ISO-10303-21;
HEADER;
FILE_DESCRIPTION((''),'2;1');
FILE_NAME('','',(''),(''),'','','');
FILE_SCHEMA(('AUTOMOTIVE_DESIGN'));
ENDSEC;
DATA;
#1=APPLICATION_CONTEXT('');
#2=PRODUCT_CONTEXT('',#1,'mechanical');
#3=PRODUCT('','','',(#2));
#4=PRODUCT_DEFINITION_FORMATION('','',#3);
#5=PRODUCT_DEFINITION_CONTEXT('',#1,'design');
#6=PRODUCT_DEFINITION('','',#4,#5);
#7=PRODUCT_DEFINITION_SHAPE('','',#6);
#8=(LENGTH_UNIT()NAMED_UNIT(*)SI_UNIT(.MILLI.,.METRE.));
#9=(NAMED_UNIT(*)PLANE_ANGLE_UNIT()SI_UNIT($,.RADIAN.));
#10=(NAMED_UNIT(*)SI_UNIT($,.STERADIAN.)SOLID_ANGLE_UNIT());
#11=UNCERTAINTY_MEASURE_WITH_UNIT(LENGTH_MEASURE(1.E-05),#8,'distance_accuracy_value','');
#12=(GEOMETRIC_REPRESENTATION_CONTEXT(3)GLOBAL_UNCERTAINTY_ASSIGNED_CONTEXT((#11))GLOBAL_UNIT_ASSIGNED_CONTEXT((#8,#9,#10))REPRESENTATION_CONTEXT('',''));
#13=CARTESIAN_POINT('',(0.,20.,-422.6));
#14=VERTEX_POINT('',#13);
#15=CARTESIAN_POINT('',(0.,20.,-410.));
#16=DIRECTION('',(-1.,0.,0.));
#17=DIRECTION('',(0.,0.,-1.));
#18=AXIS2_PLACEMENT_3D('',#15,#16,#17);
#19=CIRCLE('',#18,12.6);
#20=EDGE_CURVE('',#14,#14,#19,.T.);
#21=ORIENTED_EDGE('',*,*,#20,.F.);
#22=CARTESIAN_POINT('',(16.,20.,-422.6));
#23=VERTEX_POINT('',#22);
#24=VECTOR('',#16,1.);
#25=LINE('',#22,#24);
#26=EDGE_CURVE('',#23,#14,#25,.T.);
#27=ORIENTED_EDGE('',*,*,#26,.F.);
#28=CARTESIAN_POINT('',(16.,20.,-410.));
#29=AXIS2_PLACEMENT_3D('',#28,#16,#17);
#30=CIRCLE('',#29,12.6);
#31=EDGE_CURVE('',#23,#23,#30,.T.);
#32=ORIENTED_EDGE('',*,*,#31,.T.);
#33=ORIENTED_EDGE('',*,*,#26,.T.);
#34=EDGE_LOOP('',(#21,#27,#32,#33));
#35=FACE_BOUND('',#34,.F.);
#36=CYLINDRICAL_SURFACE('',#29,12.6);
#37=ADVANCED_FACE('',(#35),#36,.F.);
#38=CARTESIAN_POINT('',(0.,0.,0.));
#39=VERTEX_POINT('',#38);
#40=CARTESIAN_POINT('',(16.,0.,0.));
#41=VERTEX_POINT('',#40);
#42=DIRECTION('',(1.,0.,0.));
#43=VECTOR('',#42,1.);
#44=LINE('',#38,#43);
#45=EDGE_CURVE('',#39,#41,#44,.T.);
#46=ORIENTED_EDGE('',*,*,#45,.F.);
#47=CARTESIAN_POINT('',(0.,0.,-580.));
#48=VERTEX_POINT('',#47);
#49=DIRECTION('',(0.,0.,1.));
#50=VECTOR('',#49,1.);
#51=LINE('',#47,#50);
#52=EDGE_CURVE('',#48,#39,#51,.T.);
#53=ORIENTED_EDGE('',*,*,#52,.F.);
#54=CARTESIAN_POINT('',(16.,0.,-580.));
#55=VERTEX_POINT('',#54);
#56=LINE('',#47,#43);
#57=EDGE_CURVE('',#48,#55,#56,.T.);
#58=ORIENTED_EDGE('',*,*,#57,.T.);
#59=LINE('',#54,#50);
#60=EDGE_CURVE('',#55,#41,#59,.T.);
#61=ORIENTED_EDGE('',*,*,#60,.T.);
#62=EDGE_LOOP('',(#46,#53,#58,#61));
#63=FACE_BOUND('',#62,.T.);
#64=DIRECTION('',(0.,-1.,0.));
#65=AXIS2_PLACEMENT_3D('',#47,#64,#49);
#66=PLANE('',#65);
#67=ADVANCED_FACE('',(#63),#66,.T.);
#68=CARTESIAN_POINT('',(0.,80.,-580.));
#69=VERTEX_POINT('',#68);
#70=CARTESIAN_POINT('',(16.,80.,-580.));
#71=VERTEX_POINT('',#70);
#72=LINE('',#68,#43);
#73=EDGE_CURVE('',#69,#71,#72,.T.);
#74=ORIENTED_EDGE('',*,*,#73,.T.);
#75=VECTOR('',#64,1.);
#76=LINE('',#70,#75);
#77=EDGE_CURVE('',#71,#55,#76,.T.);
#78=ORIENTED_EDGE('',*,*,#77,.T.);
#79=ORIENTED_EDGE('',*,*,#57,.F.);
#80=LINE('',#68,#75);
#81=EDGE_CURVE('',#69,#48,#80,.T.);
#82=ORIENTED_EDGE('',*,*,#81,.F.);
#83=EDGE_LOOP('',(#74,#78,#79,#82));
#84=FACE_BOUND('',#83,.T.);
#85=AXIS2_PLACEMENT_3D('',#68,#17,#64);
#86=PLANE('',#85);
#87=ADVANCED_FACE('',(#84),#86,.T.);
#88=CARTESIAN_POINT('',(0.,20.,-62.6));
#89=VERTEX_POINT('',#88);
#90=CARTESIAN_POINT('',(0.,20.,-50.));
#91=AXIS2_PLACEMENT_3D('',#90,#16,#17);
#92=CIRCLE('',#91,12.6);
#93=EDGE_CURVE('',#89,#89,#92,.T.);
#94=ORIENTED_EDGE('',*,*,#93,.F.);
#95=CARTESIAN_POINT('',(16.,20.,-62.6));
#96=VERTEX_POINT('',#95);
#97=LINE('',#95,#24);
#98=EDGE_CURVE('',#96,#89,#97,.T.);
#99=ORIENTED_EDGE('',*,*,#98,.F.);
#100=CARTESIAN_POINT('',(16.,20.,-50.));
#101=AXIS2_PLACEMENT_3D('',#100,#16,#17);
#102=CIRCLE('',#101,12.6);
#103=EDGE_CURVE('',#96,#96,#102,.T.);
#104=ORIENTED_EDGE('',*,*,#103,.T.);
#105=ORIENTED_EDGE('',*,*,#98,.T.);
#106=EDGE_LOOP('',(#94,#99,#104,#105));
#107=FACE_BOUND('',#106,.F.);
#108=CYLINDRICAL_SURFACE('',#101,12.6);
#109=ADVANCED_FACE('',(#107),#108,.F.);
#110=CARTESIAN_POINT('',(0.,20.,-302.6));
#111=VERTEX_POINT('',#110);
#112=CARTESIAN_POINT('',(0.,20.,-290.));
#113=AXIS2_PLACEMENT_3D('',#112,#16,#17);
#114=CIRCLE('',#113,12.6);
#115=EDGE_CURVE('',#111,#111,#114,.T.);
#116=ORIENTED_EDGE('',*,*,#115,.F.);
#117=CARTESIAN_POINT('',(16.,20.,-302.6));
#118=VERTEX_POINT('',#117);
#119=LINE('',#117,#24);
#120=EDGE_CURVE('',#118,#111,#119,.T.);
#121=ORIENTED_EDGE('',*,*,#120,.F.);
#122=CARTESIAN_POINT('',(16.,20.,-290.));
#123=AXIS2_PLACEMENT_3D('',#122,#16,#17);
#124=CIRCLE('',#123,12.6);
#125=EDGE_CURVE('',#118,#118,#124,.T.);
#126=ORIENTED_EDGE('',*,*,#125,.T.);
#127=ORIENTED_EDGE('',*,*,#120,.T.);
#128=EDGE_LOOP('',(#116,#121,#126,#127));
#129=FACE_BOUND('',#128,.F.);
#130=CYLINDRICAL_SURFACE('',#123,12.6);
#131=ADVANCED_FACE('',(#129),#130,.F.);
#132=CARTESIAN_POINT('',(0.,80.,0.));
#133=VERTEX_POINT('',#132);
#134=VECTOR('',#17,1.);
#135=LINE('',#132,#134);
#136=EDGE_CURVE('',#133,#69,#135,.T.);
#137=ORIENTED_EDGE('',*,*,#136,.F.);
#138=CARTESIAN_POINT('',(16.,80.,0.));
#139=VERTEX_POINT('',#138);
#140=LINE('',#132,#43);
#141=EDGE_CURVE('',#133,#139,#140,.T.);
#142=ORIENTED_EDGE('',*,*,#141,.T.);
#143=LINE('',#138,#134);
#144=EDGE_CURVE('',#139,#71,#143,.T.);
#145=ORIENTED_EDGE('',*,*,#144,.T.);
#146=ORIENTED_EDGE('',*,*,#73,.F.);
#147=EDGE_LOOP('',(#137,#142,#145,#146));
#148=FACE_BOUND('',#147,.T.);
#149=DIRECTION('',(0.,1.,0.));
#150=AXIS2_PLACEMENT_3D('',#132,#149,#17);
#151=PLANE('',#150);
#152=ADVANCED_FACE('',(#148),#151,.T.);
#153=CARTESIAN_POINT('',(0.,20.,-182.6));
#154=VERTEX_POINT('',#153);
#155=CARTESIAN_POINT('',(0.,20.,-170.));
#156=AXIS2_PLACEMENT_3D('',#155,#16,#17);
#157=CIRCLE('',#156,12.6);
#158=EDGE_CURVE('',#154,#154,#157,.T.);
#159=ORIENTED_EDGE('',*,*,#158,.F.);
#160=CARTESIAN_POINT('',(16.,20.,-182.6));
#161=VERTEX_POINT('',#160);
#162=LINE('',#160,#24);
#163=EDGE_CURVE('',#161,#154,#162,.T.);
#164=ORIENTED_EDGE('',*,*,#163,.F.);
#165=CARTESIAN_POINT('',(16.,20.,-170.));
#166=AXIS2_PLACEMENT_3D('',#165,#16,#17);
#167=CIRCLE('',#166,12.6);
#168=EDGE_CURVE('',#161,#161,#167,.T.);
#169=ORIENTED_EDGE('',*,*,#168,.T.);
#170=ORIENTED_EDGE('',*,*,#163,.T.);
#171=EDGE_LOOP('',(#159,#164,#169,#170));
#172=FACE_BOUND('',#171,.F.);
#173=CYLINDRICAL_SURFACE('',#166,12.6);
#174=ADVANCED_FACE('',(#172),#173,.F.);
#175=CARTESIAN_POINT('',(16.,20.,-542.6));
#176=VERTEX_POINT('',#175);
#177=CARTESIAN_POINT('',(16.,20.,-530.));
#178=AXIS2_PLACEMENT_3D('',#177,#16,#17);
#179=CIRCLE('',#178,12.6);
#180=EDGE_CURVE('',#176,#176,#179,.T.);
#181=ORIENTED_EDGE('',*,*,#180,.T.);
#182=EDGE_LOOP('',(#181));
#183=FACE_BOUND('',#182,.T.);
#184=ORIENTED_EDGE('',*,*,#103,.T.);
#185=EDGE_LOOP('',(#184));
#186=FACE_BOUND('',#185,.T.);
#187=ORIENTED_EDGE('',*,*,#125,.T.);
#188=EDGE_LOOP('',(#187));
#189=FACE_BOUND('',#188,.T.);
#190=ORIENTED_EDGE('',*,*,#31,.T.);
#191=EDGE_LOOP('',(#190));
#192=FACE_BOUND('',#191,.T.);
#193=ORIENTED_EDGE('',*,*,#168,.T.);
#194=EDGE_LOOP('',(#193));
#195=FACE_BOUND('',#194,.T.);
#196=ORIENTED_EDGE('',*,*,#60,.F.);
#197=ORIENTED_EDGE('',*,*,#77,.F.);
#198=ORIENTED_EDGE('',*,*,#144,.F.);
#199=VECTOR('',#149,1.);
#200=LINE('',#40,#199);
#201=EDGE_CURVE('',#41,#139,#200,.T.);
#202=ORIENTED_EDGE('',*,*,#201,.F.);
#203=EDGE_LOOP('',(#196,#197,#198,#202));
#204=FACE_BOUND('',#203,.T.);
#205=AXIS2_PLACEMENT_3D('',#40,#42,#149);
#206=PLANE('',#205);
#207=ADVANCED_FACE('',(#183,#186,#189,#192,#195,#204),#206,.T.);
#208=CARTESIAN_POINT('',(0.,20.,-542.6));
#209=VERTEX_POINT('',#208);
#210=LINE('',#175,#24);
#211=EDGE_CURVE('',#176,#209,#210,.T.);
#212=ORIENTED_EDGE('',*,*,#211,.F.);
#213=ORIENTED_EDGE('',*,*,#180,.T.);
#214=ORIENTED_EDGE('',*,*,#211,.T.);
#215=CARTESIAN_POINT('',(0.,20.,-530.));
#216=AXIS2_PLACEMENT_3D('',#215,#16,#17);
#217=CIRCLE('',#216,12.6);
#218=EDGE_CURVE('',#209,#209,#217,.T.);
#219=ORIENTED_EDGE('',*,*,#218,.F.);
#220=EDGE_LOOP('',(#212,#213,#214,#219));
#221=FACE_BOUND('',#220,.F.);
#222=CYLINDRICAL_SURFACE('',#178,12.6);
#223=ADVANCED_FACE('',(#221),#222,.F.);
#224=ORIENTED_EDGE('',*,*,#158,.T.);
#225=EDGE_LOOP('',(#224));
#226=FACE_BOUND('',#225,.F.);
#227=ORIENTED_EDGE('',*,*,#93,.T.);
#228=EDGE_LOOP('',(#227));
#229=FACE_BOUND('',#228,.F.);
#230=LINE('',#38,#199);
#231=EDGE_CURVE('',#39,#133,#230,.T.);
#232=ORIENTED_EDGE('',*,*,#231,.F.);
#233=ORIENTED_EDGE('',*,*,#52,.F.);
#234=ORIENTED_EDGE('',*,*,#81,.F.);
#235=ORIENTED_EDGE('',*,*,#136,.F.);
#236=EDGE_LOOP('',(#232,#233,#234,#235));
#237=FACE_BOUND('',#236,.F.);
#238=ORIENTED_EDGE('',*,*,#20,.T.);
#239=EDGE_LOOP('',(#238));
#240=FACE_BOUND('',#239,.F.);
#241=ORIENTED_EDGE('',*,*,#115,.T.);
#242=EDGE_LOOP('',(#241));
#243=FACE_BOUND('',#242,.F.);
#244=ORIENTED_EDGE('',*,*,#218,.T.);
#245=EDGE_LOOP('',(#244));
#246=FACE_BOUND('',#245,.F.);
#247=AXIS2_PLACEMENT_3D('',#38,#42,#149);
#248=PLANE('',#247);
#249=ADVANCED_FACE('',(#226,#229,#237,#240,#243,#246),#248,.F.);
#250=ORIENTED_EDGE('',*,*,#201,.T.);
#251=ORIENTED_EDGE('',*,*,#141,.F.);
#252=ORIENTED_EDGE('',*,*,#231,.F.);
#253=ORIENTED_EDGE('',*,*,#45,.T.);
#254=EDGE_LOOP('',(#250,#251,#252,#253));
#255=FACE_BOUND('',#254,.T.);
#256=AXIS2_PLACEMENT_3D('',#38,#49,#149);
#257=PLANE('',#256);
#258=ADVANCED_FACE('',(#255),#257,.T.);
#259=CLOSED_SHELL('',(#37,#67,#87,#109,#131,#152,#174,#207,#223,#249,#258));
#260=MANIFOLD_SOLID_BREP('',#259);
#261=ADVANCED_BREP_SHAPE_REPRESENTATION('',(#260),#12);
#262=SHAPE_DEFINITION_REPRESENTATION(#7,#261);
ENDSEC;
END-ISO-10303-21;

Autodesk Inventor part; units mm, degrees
ref_plane "YZ Plane" through (0, 0, 0) normal (1, 0, 0) x (0, 1, 0)
ref_plane "XZ Plane" through (0, 0, 0) normal (0, 1, 0) x (-1, 0, 0)
ref_plane "XY Plane" through (0, 0, 0) normal (0, 0, 1) x (1, 0, 0)
sketch "草圖1" plane through (0, 0, 0) normal (1, 0, 0) x (0, 1, 0)
  line L0 (0, 0) -> (80, 0)
  line L1 (80, 0) -> (80, -580)
  line L2 (80, -580) -> (0, -580)
  line L3 (0, -580) -> (0, 0)
  dimension "d0" = 80
  dimension "d1" = 580
extrude "擠出1" add sketch "草圖1" along normal blind 16
sketch "草圖2" plane through (16, 0, 0) normal (1, 0, 0) x (0, 0, -1)
  line L0 (0, 80) -> (0, 0) projected
  line L1 (0, 0) -> (580, 0) projected
  point P0 (50, 20)
  point P1 (170, 20)
  point P2 (290, 20)
  point P3 (410, 20)
  point P4 (530, 20)
  dimension "d4" = 50
  dimension "d5" = 20
  dimension "d6" = 120
  dimension "d7" = 120
  dimension "d8" = 120
  dimension "d9" = 120
  dimension "d10" = 20
  dimension "d11" = 20
  dimension "d12" = 20
  dimension "d13" = 20
hole "孔1" at (16, 20, -50) at (16, 20, -170) at (16, 20, -290) at (16, 20, -410) at (16, 20, -530) direction (-1, 0, 0) diameter 25.2 end through all
properties part number "exercise3-12"
